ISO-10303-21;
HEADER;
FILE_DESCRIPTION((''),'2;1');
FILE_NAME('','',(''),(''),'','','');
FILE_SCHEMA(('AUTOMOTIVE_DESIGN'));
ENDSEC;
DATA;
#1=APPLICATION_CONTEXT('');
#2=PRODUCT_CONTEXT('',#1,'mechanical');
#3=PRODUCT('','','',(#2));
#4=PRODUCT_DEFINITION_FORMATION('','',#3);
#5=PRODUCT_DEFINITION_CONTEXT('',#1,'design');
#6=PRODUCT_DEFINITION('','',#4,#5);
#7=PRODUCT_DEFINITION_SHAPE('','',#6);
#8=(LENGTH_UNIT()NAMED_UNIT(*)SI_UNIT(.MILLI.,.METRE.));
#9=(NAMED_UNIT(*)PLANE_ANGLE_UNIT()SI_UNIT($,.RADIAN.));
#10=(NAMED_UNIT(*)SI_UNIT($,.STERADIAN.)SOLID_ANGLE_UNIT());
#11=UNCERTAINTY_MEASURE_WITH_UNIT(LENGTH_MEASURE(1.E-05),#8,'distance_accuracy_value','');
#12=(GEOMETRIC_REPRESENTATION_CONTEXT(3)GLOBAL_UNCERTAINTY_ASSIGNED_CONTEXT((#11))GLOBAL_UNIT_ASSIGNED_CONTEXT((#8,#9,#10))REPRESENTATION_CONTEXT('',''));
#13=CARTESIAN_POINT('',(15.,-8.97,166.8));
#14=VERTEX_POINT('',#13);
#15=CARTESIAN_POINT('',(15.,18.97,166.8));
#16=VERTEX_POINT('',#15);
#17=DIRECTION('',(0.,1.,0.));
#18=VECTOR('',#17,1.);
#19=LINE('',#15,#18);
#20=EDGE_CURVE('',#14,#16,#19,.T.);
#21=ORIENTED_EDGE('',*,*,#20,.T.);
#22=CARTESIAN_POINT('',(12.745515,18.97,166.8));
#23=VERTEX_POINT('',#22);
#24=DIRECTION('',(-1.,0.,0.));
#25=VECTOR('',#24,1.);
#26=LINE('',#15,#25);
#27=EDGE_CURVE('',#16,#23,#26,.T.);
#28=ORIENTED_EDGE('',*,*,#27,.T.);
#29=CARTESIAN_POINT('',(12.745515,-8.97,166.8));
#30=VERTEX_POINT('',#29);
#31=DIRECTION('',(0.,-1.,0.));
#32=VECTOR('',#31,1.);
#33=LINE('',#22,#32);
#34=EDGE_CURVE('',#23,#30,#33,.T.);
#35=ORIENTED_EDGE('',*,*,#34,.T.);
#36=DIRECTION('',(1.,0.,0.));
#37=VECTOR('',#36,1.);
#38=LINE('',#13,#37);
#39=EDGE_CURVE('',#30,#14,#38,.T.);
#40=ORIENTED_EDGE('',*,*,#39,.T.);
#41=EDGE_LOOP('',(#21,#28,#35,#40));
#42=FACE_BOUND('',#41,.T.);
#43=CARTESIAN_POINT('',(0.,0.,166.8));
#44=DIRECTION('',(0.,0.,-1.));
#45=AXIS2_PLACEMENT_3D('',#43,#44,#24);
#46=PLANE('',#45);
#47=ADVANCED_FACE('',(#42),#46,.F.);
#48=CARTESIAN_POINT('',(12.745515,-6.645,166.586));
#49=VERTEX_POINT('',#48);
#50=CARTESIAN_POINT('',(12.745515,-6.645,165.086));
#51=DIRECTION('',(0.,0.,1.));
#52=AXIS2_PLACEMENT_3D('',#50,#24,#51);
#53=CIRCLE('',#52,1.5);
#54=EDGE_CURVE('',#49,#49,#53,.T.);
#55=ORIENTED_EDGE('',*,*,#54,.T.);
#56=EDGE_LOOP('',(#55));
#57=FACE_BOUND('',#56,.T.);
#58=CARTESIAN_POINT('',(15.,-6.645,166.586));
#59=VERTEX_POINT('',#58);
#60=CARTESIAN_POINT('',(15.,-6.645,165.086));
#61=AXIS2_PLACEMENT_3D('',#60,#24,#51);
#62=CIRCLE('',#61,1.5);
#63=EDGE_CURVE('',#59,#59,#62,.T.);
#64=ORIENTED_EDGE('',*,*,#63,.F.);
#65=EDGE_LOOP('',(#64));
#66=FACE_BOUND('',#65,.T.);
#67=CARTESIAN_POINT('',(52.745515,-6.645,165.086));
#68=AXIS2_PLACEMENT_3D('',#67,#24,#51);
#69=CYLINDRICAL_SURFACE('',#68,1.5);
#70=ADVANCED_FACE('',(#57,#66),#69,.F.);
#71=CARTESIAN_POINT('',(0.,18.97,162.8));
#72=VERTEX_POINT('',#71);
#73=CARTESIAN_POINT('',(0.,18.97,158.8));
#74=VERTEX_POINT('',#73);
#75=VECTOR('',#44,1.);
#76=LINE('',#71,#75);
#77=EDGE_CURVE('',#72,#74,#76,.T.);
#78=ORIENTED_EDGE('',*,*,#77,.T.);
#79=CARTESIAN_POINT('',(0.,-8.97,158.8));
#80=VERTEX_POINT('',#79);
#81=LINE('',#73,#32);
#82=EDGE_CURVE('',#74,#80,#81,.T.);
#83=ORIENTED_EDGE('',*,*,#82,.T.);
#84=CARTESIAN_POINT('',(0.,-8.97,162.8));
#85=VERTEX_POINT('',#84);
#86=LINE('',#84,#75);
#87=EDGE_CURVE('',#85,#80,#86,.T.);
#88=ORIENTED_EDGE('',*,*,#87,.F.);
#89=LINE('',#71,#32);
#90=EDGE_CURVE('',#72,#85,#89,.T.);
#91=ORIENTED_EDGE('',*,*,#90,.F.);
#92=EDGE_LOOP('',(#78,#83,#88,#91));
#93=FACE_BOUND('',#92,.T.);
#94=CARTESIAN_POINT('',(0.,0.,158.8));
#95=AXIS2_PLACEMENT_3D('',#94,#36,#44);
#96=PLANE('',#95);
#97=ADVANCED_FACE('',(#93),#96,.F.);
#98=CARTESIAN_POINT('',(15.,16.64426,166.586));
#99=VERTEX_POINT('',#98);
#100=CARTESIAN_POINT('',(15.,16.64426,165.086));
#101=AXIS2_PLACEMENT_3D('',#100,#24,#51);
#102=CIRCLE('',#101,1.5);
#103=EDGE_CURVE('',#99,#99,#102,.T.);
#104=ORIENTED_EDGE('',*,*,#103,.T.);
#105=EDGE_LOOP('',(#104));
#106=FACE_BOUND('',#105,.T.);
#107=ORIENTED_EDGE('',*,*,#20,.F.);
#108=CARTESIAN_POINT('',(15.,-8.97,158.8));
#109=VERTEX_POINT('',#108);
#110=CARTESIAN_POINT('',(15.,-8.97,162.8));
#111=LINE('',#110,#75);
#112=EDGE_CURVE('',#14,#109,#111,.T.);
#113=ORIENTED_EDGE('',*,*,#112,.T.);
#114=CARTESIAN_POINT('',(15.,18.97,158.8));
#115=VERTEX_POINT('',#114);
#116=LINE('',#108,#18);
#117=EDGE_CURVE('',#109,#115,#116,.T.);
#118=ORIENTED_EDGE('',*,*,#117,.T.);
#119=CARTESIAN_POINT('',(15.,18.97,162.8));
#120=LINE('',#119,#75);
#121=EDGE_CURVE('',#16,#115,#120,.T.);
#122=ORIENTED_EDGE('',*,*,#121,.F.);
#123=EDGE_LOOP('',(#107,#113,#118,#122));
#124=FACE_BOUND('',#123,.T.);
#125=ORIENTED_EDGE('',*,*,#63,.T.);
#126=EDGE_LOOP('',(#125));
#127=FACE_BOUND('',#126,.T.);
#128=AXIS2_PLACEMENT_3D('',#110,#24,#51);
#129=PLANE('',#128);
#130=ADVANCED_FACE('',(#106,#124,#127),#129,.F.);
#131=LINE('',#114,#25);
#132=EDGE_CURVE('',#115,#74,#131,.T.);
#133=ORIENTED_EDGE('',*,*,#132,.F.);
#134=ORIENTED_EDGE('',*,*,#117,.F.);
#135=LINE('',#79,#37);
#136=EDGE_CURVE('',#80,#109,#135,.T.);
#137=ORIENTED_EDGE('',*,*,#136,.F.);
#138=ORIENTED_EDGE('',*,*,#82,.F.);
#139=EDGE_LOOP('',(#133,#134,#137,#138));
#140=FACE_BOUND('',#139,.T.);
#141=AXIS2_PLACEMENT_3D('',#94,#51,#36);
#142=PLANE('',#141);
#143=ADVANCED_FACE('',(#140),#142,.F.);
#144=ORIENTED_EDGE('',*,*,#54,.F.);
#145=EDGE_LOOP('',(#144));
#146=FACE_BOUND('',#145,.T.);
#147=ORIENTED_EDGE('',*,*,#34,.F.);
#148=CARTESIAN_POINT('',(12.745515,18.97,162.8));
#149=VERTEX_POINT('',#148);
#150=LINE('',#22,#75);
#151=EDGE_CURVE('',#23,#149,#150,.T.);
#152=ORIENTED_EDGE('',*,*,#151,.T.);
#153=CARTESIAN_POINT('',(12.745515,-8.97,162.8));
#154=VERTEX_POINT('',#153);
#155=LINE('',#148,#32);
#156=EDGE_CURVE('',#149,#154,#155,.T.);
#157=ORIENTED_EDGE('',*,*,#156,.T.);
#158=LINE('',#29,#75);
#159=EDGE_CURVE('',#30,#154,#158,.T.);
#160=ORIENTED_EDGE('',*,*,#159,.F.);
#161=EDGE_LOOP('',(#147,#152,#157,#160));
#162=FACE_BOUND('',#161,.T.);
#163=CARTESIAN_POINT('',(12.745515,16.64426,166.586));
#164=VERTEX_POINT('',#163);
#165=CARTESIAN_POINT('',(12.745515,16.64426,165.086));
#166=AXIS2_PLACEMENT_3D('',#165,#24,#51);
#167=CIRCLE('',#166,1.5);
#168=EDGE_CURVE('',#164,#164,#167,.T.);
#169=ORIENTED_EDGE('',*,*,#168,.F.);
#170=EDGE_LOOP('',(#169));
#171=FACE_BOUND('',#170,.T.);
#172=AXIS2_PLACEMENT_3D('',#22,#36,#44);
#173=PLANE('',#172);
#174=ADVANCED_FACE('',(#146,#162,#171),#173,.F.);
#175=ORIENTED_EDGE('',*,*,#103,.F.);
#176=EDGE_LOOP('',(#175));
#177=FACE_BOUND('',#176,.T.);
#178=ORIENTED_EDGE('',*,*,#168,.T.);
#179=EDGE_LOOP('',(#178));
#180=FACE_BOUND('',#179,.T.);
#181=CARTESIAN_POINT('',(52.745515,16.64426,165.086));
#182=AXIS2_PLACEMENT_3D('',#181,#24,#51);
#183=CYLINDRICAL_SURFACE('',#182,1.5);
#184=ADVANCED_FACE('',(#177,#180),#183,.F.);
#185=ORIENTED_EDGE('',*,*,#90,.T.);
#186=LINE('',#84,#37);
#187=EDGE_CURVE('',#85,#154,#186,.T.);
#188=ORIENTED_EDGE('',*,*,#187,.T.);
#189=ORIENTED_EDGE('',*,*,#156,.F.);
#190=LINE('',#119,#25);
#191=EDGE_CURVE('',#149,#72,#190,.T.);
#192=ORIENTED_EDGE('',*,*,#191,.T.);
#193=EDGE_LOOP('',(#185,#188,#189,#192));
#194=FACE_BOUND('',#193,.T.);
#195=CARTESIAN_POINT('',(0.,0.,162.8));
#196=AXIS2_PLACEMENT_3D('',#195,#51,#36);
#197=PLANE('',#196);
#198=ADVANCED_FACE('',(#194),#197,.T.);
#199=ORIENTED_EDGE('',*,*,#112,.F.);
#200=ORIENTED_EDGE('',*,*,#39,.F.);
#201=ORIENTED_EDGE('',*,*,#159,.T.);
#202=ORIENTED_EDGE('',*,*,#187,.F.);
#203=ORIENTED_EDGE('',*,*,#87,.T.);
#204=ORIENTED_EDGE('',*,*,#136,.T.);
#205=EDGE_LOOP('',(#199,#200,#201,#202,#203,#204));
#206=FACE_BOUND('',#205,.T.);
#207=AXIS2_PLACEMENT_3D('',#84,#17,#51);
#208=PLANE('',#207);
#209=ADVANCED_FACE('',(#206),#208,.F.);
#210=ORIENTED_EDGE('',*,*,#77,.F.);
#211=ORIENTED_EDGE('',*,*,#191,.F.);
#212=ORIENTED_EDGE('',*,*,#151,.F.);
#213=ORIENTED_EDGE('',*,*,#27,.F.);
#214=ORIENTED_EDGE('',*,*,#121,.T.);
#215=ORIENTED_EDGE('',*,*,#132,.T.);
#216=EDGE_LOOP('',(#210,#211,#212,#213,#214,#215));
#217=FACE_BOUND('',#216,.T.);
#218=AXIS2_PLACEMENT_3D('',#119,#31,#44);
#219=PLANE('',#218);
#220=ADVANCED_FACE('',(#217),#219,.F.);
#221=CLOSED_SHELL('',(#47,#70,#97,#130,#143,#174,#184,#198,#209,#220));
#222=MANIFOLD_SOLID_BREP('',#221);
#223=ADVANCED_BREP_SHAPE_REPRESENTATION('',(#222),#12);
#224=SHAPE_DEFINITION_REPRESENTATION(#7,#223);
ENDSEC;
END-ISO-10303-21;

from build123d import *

# Parameters (mm, degrees)
SKETCH2_W           = 10
SKETCH2_H           = 10
BOSS_EXTRUDE1_DEPTH = 158.8
SKETCH3_R           = 3.5
BOSS_EXTRUDE2_DEPTH = 8
SKETCH4_W           = 15
SKETCH4_H           = 27.94
BOSS_EXTRUDE4_DEPTH = 4
SKETCH5_W           = 2.25448465
SKETCH5_H           = 27.94
BOSS_EXTRUDE5_DEPTH = 4
SKETCH6_R           = 1.5
CUT_EXTRUDE1_DEPTH  = 40
SKETCH7_W           = 23.127445718
SKETCH7_H           = 13.37135514
CUT_EXTRUDE2_DEPTH  = 158.8


with BuildPart() as part:
    # Sketch2 → Boss-Extrude1 (new body)
    with BuildSketch(Plane.XY):
        with Locations((5, 5)):
            Rectangle(SKETCH2_W, SKETCH2_H)
    extrude(amount=BOSS_EXTRUDE1_DEPTH)

    # Sketch3 → Boss-Extrude2 (add)
    with BuildSketch(Plane(origin=(10, 0, 0), x_dir=(0, 0, -1), z_dir=(1, 0, 0))):
        with Locations((-5, 5)):
            Circle(SKETCH3_R)
    extrude(amount=BOSS_EXTRUDE2_DEPTH)

    # Sketch4 → Boss-Extrude4 (add)
    with BuildSketch(Plane.XY.offset(158.8)):
        with Locations((7.5, 5)):
            Rectangle(SKETCH4_W, SKETCH4_H)
    extrude(amount=BOSS_EXTRUDE4_DEPTH)

    # Sketch5 → Boss-Extrude5 (add)
    with BuildSketch(Plane.XY.offset(162.8)):
        with Locations((13.872757675, 5)):
            Rectangle(SKETCH5_W, SKETCH5_H)
    extrude(amount=BOSS_EXTRUDE5_DEPTH)

    # Sketch6 → Cut-Extrude1 (cut)
    with BuildSketch(Plane.ZY.offset(-12.74551535)):
        with Locations((165.086, 16.64426)):
            Circle(SKETCH6_R)
        with Locations((165.086, -6.645)):
            Circle(SKETCH6_R)
    extrude(amount=-CUT_EXTRUDE1_DEPTH, mode=Mode.SUBTRACT)

    # Sketch7 → Cut-Extrude2 (cut)
    with BuildSketch(Plane(origin=(0, 0, 0), x_dir=(-1, 0, 0), z_dir=(0, 0, -1))):
        with Locations((-11.563722859, 6.68567757)):
            Rectangle(SKETCH7_W, SKETCH7_H)
    extrude(amount=-CUT_EXTRUDE2_DEPTH, mode=Mode.SUBTRACT)


solid = part.part
